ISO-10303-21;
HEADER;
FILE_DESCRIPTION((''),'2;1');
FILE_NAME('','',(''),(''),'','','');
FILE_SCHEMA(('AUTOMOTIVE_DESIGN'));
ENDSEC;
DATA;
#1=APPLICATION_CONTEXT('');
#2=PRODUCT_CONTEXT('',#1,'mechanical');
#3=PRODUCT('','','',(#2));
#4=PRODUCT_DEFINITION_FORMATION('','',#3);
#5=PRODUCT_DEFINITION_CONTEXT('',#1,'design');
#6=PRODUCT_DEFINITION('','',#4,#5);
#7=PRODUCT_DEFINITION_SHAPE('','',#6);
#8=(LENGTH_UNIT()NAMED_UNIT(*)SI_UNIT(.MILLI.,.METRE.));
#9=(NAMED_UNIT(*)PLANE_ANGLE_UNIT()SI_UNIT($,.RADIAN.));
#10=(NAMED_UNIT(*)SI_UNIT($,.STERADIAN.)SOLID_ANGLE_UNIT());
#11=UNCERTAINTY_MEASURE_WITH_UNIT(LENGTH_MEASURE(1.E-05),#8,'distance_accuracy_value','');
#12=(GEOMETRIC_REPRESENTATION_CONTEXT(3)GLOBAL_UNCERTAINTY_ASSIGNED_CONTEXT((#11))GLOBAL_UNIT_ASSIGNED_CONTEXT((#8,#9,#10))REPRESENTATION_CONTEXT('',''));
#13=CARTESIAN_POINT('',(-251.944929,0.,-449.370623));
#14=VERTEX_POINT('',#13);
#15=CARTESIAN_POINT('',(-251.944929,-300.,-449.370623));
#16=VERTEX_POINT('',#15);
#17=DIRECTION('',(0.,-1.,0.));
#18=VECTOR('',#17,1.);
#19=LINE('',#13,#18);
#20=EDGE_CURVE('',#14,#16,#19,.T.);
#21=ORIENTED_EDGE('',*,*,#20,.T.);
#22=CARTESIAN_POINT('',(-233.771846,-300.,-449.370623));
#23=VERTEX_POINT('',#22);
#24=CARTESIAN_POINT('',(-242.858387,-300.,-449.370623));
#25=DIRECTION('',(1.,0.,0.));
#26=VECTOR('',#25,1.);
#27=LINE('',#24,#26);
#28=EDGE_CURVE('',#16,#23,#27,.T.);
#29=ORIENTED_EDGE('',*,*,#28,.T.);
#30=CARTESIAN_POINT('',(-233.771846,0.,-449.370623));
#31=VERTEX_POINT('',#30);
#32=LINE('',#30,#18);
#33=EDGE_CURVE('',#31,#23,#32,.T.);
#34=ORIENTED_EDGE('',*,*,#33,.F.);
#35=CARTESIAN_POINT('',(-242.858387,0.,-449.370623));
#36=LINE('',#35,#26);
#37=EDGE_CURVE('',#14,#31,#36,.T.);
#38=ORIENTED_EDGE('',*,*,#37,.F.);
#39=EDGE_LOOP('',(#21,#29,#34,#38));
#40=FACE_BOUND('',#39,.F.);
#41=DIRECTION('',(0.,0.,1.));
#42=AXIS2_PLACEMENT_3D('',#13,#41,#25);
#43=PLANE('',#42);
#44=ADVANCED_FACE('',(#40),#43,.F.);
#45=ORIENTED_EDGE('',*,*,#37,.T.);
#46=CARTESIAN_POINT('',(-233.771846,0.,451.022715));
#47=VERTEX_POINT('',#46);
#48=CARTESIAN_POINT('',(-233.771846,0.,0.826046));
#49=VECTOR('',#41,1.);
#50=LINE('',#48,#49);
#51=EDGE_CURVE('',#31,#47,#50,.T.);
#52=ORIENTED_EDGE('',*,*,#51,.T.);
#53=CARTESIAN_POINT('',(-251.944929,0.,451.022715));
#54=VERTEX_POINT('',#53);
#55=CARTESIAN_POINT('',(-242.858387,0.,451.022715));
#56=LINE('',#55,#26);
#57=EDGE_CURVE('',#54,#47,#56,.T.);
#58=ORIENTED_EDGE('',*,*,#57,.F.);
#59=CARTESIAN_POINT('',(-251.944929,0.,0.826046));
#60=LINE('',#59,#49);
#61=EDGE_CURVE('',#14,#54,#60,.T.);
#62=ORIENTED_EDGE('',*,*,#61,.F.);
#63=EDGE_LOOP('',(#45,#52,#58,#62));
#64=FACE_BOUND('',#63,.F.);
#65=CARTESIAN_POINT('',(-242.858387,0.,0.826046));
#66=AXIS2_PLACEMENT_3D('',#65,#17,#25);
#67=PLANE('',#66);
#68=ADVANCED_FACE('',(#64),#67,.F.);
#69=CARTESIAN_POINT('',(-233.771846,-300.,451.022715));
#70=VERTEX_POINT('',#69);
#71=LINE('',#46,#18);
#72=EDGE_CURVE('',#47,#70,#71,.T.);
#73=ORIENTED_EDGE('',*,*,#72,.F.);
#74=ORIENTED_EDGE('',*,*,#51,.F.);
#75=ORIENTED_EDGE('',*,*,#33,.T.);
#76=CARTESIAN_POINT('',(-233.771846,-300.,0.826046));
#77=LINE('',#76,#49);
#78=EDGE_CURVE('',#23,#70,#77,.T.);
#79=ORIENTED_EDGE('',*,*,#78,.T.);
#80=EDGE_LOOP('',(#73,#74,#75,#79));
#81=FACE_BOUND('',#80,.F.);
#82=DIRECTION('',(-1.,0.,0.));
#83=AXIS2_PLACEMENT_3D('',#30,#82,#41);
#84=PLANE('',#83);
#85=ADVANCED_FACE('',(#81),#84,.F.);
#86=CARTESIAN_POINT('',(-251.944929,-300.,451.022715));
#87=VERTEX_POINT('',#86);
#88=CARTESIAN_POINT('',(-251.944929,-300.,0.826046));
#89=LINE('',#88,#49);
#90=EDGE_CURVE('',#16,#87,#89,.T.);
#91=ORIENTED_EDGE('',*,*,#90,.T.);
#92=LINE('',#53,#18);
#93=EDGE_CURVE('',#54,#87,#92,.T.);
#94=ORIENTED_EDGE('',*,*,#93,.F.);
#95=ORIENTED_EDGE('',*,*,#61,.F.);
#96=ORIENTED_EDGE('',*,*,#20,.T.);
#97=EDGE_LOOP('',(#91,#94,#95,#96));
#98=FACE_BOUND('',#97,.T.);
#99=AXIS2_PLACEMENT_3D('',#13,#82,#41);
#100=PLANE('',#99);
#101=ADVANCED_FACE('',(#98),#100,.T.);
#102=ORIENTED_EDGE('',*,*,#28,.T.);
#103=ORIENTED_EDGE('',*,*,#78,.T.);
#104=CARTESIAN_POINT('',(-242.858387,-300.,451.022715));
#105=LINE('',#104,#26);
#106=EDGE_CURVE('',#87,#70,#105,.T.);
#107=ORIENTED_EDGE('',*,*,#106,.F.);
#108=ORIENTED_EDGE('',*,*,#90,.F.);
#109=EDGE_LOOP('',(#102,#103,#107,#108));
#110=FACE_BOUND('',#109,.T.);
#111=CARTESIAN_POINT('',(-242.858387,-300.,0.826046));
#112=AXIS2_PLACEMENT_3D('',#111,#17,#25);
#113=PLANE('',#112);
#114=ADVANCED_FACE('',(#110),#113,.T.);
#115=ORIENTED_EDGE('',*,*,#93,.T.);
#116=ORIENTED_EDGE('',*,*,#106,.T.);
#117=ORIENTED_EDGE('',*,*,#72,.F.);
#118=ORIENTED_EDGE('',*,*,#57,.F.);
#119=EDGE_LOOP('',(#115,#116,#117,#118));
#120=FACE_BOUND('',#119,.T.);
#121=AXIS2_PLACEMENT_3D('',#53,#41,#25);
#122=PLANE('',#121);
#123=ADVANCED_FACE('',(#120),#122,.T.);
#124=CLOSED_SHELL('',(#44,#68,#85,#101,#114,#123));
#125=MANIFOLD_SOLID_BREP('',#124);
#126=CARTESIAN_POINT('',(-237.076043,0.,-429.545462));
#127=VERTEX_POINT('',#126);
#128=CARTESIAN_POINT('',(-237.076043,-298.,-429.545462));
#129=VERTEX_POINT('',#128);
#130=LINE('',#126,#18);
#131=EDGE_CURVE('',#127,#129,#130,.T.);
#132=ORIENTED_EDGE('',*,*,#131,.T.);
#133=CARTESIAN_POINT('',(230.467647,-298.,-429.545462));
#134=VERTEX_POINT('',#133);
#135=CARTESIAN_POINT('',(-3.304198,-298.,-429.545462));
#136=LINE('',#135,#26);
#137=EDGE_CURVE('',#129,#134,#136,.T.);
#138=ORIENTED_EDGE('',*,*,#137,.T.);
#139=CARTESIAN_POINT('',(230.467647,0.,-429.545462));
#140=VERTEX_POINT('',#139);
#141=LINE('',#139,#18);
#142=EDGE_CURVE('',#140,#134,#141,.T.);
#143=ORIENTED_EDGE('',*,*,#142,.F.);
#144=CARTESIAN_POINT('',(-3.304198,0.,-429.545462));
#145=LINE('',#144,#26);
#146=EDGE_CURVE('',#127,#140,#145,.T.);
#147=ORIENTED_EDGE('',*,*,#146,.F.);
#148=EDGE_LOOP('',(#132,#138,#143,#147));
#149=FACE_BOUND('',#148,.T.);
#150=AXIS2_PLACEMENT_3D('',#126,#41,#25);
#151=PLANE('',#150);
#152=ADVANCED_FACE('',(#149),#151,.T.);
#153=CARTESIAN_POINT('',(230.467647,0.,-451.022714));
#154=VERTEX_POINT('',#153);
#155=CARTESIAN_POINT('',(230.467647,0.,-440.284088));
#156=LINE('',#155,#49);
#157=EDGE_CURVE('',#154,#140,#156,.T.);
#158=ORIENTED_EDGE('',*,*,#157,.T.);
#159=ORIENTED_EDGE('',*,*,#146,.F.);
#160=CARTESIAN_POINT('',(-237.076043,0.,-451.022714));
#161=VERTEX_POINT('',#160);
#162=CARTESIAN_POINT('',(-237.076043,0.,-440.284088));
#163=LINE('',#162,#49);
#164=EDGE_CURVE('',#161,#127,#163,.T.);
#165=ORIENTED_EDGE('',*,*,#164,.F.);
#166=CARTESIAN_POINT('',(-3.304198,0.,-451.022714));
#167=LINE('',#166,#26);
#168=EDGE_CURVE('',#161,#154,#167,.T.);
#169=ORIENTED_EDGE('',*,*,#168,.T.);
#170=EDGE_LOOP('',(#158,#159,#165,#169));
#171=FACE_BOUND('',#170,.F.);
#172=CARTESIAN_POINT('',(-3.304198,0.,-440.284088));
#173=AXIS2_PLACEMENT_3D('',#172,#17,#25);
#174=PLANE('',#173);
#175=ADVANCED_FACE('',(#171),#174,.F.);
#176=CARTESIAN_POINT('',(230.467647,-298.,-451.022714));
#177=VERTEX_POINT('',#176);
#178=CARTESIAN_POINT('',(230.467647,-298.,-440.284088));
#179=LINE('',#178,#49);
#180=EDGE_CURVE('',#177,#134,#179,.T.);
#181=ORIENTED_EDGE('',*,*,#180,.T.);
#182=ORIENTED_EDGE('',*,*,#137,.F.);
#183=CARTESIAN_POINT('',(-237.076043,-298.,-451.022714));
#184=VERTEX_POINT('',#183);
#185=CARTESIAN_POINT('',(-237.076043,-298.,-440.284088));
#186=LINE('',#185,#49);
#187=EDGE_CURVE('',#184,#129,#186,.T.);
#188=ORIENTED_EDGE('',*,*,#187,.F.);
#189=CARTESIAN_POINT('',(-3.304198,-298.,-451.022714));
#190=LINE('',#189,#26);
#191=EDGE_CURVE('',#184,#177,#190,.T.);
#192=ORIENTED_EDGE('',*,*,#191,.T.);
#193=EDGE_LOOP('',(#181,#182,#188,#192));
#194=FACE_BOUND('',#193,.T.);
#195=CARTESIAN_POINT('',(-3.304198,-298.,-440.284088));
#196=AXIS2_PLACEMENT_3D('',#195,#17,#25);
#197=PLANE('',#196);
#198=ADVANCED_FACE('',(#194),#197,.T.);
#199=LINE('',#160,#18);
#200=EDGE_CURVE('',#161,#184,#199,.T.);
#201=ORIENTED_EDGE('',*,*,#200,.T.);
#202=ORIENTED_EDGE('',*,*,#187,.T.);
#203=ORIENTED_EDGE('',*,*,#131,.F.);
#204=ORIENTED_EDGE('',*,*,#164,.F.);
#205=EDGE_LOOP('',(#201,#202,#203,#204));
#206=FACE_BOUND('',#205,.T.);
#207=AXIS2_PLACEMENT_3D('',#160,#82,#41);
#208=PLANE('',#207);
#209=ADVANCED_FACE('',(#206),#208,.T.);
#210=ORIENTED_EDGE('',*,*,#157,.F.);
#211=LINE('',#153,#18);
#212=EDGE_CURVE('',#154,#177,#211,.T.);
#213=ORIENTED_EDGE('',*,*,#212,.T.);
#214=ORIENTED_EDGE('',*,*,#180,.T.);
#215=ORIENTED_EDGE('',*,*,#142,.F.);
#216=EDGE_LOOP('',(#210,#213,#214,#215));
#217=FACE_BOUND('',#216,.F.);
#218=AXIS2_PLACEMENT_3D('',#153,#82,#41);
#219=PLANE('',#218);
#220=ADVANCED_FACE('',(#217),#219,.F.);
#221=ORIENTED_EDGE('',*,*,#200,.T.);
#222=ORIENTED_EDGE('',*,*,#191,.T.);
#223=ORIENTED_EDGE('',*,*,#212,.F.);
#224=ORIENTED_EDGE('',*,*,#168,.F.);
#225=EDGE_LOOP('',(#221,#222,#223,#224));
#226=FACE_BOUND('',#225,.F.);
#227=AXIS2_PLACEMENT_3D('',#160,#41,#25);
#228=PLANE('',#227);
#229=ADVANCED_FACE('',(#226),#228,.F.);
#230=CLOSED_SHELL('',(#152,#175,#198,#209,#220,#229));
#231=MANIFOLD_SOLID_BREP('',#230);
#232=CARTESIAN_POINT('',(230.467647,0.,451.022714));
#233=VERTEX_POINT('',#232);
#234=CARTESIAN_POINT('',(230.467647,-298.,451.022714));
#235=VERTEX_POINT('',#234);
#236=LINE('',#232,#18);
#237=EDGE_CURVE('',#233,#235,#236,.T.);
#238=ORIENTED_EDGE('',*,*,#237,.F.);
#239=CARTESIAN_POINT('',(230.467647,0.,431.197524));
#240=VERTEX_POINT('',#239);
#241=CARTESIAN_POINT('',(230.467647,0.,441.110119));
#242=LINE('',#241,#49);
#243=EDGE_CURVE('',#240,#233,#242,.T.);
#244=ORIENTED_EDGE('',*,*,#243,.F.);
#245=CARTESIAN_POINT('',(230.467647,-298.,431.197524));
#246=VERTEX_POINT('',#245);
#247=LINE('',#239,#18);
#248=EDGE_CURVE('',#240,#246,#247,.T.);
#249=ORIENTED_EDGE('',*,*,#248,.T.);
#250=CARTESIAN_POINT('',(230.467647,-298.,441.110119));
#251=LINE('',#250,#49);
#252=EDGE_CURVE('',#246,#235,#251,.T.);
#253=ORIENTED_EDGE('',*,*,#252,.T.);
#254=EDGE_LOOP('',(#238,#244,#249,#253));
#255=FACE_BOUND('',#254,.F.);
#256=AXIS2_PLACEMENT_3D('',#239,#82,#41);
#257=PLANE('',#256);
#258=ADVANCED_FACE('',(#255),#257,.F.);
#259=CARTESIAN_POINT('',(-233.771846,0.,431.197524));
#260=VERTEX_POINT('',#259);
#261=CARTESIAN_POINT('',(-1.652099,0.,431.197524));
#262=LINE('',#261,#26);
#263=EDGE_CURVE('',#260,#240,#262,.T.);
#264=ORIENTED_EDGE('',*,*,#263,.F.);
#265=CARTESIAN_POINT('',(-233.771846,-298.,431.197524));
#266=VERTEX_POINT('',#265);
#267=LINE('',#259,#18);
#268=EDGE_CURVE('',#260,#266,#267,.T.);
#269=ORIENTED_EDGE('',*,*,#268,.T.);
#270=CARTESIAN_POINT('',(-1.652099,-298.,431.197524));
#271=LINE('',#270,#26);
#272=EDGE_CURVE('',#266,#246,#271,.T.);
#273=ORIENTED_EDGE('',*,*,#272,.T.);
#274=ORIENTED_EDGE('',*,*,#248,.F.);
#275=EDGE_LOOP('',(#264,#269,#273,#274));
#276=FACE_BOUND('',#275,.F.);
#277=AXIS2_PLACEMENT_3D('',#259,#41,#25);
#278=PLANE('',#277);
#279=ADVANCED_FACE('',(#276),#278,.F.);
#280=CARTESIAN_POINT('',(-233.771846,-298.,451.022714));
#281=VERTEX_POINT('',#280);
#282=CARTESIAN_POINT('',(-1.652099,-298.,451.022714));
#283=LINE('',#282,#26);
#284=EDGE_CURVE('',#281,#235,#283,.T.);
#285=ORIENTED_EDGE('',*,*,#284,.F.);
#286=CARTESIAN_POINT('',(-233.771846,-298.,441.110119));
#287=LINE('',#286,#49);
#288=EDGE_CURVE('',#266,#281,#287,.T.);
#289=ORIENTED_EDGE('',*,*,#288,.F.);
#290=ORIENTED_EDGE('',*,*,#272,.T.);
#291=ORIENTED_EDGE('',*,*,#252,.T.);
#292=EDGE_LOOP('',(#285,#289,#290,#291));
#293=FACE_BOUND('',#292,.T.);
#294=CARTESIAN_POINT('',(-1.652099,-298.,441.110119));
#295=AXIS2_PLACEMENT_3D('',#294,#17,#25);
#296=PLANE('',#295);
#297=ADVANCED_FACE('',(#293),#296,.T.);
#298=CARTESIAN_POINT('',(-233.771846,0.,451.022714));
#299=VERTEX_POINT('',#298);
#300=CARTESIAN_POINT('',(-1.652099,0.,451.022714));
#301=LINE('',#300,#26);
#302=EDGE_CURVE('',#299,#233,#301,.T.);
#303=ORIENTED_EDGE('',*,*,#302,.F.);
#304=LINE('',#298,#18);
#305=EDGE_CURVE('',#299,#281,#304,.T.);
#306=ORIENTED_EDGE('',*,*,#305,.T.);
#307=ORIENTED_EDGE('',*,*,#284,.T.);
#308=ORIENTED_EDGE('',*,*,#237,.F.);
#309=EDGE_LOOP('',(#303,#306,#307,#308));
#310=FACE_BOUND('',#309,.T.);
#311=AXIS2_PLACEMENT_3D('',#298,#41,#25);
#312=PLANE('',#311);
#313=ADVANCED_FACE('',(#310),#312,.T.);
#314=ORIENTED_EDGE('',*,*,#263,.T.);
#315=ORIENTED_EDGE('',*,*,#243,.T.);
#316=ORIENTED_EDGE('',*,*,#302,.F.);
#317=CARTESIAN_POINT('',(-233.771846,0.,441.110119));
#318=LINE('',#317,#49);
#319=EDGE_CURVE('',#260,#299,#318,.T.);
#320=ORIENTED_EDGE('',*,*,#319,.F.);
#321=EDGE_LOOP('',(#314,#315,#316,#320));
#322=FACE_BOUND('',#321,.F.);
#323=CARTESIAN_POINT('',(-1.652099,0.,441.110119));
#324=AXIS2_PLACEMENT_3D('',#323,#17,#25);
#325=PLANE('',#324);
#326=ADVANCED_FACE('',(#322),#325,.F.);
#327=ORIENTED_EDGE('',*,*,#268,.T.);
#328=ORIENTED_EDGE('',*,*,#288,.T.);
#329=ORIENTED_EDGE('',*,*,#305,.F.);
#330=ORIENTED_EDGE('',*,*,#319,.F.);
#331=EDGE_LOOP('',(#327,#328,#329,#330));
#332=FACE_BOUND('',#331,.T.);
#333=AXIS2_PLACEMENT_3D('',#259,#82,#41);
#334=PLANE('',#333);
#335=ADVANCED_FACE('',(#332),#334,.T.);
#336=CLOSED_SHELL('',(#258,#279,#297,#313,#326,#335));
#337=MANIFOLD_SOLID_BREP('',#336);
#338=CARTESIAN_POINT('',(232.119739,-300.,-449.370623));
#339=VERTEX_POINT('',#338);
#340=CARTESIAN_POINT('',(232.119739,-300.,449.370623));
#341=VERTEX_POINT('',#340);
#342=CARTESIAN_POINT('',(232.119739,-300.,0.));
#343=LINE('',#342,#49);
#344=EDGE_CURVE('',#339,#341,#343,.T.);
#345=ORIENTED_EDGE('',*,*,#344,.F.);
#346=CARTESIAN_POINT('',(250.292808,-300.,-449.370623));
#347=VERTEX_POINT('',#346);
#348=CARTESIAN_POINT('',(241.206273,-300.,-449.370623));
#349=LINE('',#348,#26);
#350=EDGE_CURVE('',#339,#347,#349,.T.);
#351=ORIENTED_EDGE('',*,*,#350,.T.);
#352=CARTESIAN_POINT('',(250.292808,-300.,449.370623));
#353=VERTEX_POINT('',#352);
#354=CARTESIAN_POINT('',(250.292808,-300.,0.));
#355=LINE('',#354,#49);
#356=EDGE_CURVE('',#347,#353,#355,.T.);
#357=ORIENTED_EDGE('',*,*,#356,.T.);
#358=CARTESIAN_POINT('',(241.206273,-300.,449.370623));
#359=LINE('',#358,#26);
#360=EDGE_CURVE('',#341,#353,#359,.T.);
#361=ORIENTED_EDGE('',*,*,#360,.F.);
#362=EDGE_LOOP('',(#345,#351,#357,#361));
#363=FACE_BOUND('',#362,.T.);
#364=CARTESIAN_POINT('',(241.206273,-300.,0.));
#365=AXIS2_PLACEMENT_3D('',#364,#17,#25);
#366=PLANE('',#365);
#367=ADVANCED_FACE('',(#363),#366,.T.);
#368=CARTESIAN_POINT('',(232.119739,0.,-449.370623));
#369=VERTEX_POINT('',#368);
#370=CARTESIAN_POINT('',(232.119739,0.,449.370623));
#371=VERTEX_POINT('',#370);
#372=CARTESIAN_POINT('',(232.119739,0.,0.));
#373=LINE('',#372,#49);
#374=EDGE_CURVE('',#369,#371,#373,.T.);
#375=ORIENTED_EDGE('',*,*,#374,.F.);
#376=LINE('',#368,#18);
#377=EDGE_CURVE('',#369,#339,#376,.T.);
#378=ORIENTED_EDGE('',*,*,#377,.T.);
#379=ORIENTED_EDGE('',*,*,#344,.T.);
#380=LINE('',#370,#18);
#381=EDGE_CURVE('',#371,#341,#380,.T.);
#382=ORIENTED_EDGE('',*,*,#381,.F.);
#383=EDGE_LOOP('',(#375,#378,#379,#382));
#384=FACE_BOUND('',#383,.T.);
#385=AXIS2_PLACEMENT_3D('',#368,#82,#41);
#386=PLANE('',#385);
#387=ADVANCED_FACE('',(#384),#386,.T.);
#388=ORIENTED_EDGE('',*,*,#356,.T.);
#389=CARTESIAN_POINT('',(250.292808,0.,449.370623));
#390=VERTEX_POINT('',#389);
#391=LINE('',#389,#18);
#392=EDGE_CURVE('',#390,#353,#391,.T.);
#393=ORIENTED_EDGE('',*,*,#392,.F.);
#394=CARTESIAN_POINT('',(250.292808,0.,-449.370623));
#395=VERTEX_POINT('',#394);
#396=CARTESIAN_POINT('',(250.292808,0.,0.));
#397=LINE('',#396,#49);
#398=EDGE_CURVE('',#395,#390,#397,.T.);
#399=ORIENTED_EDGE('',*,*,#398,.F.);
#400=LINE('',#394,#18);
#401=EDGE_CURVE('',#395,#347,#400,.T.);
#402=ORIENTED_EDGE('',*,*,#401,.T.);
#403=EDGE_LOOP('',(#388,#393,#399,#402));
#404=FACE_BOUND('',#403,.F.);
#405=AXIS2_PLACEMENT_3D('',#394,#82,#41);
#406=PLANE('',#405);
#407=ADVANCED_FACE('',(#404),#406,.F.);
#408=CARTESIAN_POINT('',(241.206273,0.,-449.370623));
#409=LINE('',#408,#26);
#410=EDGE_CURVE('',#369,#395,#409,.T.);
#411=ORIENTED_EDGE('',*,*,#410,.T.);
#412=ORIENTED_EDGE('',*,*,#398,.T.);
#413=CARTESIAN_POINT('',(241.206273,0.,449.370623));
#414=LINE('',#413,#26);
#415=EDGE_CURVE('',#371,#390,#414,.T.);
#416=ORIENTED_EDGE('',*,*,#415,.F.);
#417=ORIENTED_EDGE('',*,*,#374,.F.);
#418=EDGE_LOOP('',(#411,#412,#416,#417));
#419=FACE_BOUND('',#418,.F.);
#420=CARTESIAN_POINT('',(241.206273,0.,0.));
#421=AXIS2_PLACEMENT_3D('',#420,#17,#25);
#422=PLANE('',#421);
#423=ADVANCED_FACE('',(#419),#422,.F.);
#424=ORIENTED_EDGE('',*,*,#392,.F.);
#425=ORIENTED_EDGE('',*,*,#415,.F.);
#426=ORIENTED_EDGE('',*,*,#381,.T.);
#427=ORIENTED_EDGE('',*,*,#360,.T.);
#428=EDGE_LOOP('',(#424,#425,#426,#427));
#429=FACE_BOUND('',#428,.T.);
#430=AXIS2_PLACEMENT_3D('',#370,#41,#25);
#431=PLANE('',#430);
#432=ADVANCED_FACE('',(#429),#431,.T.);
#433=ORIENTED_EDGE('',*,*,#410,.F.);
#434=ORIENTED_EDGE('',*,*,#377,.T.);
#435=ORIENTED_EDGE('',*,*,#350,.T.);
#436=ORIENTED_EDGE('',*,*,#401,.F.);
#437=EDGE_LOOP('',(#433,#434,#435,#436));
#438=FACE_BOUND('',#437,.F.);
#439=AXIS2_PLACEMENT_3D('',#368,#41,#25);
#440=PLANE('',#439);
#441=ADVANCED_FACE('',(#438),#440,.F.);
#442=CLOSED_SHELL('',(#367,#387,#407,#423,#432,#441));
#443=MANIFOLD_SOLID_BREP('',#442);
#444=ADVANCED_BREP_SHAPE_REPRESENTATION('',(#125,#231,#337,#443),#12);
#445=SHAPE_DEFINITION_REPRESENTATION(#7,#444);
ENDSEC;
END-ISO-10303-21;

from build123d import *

# Parameters (mm, degrees)
F0_W     = 18.173083
F0_H     = 900.393337
F0_W_2   = 18.173069
F0_H_2   = 898.741246
F1_DEPTH = 300
F2_W     = 464.239493
F2_H     = 19.82519
F2_W_2   = 467.543691
F2_H_2   = 21.477252
F3_DEPTH = 298


with BuildPart() as f1:
    # F0 (on Front) → F1 (new body)
    with BuildSketch(Plane.XZ):
        with Locations((-242.858387, 0.826046)):
            Rectangle(F0_W, F0_H)
        with Locations((241.206273, 0)):
            Rectangle(F0_W_2, F0_H_2)
    extrude(amount=F1_DEPTH)


with BuildPart() as f3:
    # F2 (on Front) → F3 (new body)
    with BuildSketch(Plane.XZ):
        with Locations((-1.652099, 441.110119)):
            Rectangle(F2_W, F2_H)
        with Locations((-3.304198, -440.284088)):
            Rectangle(F2_W_2, F2_H_2)
    extrude(amount=F3_DEPTH)


solid = Compound([f1.part, f3.part])
